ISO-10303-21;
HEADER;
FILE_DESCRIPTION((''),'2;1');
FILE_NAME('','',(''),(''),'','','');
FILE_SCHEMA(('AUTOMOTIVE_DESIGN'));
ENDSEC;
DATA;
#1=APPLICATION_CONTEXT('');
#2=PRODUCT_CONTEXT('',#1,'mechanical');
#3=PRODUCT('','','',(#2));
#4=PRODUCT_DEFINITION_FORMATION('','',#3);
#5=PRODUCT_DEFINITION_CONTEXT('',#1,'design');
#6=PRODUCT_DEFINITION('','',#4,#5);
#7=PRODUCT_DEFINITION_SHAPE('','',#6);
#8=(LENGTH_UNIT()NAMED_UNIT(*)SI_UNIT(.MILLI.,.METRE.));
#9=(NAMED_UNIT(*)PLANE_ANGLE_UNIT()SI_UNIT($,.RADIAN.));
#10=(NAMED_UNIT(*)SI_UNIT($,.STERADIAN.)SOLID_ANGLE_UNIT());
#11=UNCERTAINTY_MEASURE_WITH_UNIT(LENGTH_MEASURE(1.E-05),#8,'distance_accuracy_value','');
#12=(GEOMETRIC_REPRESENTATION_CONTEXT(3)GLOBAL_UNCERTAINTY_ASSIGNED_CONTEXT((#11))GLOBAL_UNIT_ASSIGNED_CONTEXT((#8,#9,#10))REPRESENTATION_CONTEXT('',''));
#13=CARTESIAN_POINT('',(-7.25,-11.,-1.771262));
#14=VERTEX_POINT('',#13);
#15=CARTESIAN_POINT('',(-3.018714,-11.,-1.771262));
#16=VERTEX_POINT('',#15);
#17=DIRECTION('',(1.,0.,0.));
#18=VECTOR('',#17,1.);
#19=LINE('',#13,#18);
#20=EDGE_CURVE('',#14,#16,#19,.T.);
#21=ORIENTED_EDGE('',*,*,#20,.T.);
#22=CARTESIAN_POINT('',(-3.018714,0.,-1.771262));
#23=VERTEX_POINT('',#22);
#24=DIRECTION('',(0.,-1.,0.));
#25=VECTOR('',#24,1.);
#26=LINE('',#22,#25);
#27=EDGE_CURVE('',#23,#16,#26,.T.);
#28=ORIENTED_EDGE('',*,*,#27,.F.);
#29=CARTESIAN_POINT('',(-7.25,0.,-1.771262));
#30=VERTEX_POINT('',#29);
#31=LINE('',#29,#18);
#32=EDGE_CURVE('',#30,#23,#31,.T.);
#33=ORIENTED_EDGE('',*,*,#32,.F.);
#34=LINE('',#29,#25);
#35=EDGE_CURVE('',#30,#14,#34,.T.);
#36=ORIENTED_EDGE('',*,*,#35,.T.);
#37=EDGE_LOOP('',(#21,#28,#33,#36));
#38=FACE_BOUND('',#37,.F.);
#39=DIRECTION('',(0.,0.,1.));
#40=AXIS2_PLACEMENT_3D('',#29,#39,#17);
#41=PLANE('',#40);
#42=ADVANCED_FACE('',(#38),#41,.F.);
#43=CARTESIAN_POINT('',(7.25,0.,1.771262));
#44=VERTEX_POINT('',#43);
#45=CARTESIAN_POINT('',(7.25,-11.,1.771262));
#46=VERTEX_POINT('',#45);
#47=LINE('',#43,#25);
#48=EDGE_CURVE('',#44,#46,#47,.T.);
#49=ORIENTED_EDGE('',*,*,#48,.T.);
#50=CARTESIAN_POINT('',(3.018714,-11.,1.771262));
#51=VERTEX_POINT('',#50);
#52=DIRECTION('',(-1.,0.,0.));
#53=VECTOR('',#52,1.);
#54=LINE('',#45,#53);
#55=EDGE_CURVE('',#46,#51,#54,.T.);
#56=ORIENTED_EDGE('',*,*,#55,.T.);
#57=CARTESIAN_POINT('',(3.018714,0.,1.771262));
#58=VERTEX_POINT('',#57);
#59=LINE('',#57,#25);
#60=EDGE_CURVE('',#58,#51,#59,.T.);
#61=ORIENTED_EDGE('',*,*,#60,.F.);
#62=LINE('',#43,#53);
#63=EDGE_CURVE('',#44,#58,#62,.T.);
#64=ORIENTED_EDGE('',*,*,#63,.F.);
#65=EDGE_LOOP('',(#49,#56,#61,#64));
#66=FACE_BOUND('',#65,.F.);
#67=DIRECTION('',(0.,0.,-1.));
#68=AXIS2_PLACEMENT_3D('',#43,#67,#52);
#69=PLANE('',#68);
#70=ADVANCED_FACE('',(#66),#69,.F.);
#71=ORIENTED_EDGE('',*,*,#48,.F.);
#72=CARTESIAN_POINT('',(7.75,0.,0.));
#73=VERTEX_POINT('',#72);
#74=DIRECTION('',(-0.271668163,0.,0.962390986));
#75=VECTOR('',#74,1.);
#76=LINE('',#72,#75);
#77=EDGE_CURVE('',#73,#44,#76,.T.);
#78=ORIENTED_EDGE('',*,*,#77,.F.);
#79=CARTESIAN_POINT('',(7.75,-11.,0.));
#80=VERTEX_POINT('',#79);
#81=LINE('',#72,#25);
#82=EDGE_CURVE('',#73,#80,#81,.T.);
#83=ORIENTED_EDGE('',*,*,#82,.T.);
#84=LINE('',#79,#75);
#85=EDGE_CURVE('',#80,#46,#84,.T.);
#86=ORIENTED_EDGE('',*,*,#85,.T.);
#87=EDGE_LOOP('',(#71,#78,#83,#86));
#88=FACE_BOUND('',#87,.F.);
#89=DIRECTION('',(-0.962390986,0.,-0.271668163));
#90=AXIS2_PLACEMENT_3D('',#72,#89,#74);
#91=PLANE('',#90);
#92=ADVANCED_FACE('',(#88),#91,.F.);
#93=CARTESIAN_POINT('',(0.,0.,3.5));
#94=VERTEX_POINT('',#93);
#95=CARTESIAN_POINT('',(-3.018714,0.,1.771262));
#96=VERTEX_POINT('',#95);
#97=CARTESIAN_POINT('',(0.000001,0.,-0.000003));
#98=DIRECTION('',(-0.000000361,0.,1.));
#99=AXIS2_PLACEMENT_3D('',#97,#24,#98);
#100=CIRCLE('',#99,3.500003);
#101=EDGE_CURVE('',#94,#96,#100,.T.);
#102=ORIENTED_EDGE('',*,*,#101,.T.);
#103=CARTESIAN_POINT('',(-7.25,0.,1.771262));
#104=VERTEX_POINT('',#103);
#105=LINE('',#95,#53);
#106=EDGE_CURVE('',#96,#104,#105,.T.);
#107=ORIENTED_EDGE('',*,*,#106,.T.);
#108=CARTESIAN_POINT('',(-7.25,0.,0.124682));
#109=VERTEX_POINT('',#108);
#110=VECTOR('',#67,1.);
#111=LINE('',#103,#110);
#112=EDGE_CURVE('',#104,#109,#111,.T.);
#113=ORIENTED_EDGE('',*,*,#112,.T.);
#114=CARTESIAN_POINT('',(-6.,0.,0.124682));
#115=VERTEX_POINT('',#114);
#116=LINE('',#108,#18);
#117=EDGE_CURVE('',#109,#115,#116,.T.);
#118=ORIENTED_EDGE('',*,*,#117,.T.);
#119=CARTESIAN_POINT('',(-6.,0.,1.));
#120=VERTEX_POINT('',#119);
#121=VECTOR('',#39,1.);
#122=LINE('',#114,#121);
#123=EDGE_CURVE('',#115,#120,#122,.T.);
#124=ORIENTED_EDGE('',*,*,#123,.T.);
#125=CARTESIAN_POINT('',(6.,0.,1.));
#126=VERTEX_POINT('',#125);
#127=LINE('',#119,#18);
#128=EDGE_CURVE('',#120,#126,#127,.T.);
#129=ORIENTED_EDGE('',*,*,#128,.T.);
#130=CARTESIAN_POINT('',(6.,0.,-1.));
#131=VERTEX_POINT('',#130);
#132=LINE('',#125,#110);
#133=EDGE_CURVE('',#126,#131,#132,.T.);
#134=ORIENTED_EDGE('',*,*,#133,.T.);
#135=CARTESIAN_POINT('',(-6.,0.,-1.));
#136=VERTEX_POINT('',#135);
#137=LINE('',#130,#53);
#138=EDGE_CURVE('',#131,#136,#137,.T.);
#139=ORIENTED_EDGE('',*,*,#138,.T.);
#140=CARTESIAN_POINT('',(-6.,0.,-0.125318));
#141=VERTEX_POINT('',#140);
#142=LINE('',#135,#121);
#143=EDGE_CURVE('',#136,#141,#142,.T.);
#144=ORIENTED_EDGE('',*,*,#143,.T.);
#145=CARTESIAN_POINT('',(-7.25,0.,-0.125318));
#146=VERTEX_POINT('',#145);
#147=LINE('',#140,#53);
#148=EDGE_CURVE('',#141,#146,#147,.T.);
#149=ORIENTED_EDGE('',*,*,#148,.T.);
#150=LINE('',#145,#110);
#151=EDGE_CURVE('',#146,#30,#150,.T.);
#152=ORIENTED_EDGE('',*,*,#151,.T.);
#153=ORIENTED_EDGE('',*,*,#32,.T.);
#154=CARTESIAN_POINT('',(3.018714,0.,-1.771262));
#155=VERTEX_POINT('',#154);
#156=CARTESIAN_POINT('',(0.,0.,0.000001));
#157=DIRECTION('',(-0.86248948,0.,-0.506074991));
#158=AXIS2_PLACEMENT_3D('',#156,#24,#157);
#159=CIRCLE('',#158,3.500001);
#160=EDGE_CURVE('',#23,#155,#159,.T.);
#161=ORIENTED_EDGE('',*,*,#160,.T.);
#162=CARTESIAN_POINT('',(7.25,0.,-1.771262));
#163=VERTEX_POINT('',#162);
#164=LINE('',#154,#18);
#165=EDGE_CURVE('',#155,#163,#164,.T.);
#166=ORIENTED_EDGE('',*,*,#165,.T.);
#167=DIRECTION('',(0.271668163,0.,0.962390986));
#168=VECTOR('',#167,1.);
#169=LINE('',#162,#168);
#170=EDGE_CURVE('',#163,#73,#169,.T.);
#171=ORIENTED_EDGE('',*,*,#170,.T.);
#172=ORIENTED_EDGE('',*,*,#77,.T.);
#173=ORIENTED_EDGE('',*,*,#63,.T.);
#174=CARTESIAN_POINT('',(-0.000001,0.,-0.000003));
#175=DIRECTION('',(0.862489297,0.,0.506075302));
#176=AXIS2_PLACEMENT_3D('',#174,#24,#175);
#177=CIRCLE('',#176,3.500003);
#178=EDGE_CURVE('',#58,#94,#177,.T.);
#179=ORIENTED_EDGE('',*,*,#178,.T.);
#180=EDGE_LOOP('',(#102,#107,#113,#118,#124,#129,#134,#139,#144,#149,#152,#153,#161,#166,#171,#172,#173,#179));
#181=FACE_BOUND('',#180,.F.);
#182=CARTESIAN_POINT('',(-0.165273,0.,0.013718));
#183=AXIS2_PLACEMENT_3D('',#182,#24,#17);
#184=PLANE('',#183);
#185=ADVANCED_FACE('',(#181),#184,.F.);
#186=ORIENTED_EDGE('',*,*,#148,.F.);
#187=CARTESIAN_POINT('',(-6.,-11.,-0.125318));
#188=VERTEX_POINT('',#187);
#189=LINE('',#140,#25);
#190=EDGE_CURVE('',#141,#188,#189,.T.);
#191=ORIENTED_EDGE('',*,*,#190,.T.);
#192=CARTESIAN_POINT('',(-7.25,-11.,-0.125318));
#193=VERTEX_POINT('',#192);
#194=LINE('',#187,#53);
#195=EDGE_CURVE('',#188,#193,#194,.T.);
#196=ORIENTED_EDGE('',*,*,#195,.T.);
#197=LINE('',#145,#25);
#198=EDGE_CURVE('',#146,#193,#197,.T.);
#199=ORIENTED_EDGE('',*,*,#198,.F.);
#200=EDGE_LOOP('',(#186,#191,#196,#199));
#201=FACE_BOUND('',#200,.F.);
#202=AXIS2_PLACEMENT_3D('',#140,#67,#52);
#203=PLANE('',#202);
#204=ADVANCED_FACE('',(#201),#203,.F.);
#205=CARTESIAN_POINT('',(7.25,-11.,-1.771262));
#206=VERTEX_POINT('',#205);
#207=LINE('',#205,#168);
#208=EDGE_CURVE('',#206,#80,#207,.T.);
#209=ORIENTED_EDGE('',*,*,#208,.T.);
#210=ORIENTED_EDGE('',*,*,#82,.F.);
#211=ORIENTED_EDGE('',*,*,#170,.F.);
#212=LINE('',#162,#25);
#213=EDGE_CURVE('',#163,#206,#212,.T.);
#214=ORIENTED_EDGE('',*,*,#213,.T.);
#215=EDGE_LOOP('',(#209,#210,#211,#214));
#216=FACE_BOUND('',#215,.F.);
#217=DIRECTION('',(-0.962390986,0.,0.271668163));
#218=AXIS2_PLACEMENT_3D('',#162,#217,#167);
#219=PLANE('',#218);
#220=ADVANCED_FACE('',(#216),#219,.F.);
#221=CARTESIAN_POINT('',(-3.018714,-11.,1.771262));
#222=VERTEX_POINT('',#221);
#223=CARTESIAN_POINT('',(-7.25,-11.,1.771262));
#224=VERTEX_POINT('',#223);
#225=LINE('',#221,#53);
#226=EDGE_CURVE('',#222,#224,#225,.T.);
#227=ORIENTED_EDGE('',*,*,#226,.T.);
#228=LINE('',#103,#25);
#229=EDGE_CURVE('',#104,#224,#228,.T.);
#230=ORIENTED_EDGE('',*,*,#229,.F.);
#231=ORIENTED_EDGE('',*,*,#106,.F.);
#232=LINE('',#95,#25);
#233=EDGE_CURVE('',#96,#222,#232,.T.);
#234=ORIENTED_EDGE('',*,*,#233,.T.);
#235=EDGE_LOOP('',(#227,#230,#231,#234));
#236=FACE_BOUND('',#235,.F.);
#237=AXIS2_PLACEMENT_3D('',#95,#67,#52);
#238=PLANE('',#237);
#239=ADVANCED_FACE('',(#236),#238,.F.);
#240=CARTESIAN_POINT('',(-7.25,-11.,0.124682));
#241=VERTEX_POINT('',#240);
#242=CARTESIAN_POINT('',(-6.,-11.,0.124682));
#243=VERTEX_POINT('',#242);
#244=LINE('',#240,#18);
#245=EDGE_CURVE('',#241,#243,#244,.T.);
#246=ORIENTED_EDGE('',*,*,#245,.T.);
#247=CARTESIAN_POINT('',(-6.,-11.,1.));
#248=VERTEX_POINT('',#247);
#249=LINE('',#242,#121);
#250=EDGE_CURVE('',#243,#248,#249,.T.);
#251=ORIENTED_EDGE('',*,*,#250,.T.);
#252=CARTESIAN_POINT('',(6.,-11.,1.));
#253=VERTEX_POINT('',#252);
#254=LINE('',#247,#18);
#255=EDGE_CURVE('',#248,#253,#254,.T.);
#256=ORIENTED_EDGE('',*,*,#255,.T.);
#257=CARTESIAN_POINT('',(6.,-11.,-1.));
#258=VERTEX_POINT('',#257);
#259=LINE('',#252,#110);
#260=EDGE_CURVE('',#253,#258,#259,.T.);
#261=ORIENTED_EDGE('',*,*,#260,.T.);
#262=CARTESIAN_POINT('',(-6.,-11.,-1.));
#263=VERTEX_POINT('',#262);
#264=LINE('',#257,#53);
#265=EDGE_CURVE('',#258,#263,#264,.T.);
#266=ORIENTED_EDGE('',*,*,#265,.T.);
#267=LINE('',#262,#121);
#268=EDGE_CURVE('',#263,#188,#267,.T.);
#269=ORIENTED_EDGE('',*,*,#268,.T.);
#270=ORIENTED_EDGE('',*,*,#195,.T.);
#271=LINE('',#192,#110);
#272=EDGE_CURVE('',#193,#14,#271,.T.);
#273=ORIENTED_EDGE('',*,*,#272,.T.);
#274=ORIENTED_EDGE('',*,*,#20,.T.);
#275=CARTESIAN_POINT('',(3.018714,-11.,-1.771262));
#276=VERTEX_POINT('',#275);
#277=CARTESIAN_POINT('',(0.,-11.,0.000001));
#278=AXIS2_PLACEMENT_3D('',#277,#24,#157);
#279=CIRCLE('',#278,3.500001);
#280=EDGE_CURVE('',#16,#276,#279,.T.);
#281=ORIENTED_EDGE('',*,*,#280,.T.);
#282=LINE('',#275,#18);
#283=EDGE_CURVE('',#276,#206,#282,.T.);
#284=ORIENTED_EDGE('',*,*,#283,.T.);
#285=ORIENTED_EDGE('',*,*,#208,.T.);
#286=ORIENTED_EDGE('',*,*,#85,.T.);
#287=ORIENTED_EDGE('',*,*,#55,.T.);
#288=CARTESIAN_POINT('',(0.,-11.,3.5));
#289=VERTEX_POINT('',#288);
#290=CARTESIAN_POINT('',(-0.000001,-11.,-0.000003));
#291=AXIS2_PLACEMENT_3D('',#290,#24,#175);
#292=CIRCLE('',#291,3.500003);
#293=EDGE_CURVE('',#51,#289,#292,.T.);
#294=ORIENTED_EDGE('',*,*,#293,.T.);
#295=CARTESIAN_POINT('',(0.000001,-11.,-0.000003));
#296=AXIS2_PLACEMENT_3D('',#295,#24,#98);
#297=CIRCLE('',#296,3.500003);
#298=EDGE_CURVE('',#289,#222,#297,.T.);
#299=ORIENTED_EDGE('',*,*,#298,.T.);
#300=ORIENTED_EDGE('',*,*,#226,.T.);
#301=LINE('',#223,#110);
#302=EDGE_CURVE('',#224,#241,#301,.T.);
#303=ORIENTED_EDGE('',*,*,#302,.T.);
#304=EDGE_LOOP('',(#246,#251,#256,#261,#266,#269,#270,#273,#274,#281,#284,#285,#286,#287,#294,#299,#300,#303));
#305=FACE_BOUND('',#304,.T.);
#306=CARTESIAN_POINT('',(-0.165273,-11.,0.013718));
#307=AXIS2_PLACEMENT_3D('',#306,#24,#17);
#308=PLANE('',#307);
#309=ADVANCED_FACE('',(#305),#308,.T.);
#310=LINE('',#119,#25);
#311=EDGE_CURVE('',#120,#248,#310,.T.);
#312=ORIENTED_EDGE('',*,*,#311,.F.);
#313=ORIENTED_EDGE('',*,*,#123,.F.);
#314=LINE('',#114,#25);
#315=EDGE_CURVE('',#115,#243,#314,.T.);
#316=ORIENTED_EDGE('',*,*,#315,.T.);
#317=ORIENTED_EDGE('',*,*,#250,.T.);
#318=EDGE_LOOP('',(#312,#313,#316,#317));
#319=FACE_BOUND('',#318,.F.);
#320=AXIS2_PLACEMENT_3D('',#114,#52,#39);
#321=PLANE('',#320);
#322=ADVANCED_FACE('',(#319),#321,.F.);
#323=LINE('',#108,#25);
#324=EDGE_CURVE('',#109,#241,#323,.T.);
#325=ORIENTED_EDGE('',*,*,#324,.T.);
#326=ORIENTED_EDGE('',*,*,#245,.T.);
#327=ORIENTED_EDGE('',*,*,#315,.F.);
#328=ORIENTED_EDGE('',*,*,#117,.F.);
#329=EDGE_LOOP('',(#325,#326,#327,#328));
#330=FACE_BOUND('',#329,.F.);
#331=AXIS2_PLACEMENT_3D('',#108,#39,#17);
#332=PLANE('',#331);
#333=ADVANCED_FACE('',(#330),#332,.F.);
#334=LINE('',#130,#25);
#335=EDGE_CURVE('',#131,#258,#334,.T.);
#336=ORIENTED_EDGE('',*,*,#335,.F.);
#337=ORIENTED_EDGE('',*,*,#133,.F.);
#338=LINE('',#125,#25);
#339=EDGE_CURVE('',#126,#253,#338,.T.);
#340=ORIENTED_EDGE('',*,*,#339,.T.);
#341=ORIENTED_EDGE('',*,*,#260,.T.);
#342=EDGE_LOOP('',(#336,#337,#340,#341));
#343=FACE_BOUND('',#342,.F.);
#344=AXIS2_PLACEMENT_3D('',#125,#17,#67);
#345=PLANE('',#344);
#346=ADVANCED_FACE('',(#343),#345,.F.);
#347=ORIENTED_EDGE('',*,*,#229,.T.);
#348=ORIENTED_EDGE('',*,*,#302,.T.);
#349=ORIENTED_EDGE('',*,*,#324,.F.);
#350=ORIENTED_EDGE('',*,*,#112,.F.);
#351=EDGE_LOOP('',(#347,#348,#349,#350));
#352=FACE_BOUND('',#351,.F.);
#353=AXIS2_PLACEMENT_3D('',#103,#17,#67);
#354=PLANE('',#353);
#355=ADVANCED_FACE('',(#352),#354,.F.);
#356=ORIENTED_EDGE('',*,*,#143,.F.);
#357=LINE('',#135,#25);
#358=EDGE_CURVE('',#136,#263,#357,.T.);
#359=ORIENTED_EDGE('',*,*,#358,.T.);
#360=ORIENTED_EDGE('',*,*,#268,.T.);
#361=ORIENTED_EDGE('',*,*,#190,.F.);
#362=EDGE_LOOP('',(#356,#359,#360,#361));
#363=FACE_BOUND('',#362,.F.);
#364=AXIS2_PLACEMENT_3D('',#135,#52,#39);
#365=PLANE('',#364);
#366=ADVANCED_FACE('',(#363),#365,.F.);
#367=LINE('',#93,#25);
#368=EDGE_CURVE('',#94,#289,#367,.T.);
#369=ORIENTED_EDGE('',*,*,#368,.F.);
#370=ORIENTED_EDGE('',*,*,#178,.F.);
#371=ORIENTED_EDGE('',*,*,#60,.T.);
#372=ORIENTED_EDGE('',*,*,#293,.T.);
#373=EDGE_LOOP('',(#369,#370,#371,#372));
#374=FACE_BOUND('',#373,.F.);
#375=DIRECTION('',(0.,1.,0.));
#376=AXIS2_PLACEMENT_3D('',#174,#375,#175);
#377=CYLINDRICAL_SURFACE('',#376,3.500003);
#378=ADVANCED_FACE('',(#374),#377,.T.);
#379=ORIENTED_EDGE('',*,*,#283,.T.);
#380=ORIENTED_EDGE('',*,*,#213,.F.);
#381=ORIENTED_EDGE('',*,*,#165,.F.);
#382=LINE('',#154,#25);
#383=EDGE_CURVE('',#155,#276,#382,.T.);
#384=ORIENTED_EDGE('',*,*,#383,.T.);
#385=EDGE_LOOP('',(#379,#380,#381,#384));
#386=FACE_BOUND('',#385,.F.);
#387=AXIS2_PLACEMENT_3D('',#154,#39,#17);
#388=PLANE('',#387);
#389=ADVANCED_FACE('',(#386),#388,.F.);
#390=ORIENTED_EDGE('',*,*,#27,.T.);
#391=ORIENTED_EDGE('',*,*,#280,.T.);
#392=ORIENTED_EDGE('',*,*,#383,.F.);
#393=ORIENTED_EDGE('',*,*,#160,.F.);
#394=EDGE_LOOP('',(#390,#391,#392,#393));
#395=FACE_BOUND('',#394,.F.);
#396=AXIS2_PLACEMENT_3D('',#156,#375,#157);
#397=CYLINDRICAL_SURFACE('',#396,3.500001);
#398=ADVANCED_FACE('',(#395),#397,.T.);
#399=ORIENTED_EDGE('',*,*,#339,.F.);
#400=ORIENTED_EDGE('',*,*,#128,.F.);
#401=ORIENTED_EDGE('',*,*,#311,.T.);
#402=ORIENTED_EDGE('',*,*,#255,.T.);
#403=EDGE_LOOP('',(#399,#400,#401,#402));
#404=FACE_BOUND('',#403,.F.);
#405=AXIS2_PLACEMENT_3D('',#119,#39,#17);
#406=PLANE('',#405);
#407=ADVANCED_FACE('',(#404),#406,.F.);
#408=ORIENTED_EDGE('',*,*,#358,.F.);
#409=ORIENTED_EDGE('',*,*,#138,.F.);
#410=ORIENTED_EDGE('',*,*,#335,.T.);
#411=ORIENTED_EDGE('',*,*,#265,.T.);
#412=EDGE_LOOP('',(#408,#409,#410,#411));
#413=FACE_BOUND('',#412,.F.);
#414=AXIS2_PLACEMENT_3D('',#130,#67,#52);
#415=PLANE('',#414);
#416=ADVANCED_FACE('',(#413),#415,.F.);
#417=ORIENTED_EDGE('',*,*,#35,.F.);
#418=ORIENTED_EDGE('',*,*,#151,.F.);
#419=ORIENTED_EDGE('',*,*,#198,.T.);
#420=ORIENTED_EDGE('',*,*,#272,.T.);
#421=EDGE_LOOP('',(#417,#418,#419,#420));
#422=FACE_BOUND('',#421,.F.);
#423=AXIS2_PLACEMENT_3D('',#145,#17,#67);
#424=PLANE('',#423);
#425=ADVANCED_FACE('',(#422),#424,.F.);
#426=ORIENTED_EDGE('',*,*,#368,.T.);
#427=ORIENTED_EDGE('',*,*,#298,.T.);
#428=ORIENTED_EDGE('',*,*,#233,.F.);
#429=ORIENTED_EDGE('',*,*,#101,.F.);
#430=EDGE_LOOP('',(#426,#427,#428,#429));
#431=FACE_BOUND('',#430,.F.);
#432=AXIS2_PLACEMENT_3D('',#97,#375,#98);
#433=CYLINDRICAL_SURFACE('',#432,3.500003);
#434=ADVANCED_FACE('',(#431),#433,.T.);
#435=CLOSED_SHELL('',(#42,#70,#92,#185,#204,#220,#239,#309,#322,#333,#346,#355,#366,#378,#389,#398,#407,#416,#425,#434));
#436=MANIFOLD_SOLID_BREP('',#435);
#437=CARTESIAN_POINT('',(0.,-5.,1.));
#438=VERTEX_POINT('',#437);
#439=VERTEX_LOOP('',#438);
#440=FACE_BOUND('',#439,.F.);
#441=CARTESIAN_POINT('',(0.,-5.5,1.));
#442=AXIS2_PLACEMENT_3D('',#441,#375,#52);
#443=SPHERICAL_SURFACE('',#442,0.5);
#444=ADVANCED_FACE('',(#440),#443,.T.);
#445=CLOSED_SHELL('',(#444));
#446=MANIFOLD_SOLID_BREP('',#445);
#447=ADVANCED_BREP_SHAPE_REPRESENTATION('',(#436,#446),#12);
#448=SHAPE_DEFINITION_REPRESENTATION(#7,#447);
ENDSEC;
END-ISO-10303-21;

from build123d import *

# Parameters (mm, degrees)
F1_DEPTH = 11


with BuildPart() as f1:
    # F0 (on Front) → F1 (new body)
    with BuildSketch(Plane.XZ):
        with BuildLine():
            Line((7.75, 0), (7.25, 1.771262))
            Line((7.25, 1.771262), (3.018714, 1.771262))
            ThreePointArc((3.018714, 1.771262), (1.739337, 3.03722), (0, 3.5))
            ThreePointArc((0, 3.5), (-1.739337, 3.03722), (-3.018714, 1.771262))
            Line((-3.018714, 1.771262), (-7.25, 1.771262))
            Line((-7.25, 1.771262), (-7.25, 1))
            Line((-7.25, 1), (-7.25, 0.124682))
            Line((-7.25, 0.124682), (-6, 0.124682))
            Line((-6, 0.124682), (-6, 1))
            Line((-6, 1), (0, 1))
            Line((0, 1), (6, 1))
            Line((6, 1), (6, -1))
            Line((6, -1), (0, -1))
            Line((0, -1), (-6, -1))
            Line((-6, -1), (-6, -0.125318))
            Line((-6, -0.125318), (-7.25, -0.125318))
            Line((-7.25, -0.125318), (-7.25, -1.771262))
            Line((-7.25, -1.771262), (-3.018714, -1.771262))
            ThreePointArc((-3.018714, -1.771262), (0, -3.5), (3.018714, -1.771262))
            Line((3.018714, -1.771262), (7.25, -1.771262))
            Line((7.25, -1.771262), (7.75, 0))
        make_face()
    extrude(amount=F1_DEPTH)


with BuildPart() as f3:
    # F2 (on face) → F3 (revolve)
    with BuildSketch(Plane(origin=(0, 0, 1), x_dir=(1, 0, 0), z_dir=(0, 0, -1))):
        with BuildLine():
            Line((0, 5), (0, 5.5))
            Line((0, 5.5), (0, 6))
            ThreePointArc((0, 6), (-0.5, 5.5), (0, 5))
        make_face()
    revolve(axis=Axis((0, -3, 1), (0, -1, 0)))


solid = Compound([f1.part, f3.part])
